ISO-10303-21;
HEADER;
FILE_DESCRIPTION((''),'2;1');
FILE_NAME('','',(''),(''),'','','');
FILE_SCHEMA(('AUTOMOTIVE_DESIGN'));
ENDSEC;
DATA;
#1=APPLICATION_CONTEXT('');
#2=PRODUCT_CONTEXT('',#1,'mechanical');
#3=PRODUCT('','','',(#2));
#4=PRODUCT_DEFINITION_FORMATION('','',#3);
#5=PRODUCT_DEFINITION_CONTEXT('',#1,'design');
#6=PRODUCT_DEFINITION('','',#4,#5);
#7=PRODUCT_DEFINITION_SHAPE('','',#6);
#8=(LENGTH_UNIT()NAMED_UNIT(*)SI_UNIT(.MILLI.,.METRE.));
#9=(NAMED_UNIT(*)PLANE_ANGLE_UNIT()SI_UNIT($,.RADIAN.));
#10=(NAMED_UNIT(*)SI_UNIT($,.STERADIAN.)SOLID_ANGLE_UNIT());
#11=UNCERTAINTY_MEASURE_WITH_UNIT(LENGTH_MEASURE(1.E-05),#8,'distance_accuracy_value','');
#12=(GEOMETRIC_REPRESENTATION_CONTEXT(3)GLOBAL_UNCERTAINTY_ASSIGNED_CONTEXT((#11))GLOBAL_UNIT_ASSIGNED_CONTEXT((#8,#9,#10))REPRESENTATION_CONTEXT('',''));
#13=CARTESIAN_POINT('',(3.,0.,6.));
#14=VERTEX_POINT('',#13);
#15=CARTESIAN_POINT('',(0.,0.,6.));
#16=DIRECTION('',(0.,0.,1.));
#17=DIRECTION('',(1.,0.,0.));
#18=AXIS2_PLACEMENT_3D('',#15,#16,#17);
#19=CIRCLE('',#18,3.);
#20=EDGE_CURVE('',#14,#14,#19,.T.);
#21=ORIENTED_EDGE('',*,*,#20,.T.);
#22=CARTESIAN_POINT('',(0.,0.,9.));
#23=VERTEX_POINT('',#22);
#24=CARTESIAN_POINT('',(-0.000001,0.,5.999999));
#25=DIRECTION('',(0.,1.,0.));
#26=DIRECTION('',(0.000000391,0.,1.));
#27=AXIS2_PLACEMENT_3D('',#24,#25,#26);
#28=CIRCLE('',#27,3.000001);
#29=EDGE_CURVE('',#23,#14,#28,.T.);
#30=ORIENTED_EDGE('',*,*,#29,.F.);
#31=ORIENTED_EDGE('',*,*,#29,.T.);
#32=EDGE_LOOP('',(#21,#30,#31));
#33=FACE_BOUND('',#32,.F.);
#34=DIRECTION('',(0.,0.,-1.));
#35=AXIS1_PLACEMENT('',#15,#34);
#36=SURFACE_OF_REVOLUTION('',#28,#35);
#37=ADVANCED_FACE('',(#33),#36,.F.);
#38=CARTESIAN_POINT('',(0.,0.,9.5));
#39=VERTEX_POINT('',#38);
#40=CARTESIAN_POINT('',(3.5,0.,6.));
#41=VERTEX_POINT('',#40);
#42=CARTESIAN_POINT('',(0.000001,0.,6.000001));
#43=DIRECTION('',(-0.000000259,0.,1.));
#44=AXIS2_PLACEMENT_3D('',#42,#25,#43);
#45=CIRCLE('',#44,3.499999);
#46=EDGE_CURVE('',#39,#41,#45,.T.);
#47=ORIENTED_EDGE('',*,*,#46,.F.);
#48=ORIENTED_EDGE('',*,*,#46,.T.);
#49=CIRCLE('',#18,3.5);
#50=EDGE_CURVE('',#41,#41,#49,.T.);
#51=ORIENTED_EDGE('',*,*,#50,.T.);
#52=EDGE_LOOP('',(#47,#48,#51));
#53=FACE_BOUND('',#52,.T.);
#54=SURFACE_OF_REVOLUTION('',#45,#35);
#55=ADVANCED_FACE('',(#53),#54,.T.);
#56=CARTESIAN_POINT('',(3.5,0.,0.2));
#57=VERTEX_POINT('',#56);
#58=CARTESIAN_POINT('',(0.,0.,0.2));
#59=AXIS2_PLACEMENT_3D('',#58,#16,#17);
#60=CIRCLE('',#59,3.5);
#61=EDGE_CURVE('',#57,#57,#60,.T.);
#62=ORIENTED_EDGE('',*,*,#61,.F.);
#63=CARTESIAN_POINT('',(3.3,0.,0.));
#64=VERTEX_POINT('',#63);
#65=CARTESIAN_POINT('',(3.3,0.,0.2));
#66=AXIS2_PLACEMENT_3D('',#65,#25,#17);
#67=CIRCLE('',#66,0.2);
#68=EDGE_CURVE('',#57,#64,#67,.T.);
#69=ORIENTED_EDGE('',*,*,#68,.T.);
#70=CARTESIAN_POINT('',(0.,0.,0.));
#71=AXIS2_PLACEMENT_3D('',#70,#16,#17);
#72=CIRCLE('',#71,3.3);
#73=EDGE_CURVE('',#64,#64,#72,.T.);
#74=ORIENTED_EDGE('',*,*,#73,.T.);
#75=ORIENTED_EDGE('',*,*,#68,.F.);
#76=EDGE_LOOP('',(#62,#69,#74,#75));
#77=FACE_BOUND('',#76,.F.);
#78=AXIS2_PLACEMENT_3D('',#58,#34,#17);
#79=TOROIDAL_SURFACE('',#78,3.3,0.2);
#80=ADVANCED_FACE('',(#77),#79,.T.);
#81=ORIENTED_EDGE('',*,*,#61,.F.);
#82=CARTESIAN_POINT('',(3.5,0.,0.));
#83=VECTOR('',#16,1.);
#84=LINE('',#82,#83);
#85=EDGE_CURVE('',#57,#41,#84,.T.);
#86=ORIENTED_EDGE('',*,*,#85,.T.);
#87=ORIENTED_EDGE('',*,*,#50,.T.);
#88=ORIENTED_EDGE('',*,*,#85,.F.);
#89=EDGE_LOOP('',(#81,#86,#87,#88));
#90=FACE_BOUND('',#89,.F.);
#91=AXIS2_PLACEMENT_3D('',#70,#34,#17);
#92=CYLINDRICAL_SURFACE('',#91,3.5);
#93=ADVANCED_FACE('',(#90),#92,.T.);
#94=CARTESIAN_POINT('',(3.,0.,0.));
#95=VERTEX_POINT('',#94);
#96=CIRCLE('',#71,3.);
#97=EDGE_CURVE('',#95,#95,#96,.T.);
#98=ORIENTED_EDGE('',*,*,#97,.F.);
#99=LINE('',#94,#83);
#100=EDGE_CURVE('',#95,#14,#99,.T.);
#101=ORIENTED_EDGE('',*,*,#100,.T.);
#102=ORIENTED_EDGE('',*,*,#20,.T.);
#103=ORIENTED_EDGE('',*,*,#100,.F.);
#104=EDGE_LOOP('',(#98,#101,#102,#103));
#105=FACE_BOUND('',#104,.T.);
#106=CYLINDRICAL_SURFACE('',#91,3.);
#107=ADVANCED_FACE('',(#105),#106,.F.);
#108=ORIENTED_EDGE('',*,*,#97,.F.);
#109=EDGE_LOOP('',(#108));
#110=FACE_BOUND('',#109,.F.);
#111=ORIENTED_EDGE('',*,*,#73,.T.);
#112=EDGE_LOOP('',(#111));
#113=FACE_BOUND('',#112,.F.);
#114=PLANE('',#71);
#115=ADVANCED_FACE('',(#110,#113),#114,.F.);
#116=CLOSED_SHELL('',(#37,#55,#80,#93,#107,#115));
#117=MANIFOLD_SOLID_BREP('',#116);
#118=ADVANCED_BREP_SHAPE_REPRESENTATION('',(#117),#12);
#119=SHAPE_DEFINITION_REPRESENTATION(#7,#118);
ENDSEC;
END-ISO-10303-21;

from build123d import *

# Parameters (mm, degrees)
CYLINDER001_R     = 3
CYLINDER001_DEPTH = 6
CYLINDER_R        = 3.5
CYLINDER_DEPTH    = 6
FILLET_R          = 0.2


with BuildPart() as esfera_interior:
    # Sphere001 → Sphere001 (revolve)
    with BuildSketch(Plane(origin=(0, 0, 7), x_dir=(1, 0, 0), z_dir=(0, 1, 0))):
        with BuildLine():
            ThreePointArc((0, -3), (2.12132, -2.12132), (3, 0))
            Line((3, 0), (0, 0))
            Line((0, 0), (0, -3))
        make_face()
    revolve(axis=Axis((0, 0, 7), (0, 0, -1)))


with BuildPart() as esfera:
    # Sphere → Sphere (revolve)
    with BuildSketch(Plane(origin=(0, 0, 7), x_dir=(1, 0, 0), z_dir=(0, 1, 0))):
        with BuildLine():
            ThreePointArc((0, -3.5), (2.474874, -2.474874), (3.5, 0))
            Line((3.5, 0), (0, 0))
            Line((0, 0), (0, -3.5))
        make_face()
    revolve(axis=Axis((0, 0, 7), (0, 0, -1)))

    # Cut001: cut Esfera interior
    add(esfera_interior.part, mode=Mode.SUBTRACT)


with BuildPart() as esfera_1:
    # Cut001 placement: moved
    add(esfera.part.moved(Location((0, 0, -1))))


with BuildPart() as cilindro_interior:
    # Cylinder001 → Cylinder001 (new body)
    with BuildSketch(Plane.XY):
        Circle(CYLINDER001_R)
    extrude(amount=CYLINDER001_DEPTH)


with BuildPart() as toggle_switch_cap:
    # Cylinder → Cylinder (new body)
    with BuildSketch(Plane.XY):
        Circle(CYLINDER_R)
    extrude(amount=CYLINDER_DEPTH)

    # Cut: cut Cilindro interior
    add(cilindro_interior.part, mode=Mode.SUBTRACT)

    # Fillet
    fillet_edges = [toggle_switch_cap.edges().sort_by_distance(p)[0] for p in [
        (-3.5, 0, 0),
    ]]
    fillet(fillet_edges, radius=FILLET_R)

    # Fusion: union Esfera
    add(esfera_1.part)


solid = toggle_switch_cap.part
